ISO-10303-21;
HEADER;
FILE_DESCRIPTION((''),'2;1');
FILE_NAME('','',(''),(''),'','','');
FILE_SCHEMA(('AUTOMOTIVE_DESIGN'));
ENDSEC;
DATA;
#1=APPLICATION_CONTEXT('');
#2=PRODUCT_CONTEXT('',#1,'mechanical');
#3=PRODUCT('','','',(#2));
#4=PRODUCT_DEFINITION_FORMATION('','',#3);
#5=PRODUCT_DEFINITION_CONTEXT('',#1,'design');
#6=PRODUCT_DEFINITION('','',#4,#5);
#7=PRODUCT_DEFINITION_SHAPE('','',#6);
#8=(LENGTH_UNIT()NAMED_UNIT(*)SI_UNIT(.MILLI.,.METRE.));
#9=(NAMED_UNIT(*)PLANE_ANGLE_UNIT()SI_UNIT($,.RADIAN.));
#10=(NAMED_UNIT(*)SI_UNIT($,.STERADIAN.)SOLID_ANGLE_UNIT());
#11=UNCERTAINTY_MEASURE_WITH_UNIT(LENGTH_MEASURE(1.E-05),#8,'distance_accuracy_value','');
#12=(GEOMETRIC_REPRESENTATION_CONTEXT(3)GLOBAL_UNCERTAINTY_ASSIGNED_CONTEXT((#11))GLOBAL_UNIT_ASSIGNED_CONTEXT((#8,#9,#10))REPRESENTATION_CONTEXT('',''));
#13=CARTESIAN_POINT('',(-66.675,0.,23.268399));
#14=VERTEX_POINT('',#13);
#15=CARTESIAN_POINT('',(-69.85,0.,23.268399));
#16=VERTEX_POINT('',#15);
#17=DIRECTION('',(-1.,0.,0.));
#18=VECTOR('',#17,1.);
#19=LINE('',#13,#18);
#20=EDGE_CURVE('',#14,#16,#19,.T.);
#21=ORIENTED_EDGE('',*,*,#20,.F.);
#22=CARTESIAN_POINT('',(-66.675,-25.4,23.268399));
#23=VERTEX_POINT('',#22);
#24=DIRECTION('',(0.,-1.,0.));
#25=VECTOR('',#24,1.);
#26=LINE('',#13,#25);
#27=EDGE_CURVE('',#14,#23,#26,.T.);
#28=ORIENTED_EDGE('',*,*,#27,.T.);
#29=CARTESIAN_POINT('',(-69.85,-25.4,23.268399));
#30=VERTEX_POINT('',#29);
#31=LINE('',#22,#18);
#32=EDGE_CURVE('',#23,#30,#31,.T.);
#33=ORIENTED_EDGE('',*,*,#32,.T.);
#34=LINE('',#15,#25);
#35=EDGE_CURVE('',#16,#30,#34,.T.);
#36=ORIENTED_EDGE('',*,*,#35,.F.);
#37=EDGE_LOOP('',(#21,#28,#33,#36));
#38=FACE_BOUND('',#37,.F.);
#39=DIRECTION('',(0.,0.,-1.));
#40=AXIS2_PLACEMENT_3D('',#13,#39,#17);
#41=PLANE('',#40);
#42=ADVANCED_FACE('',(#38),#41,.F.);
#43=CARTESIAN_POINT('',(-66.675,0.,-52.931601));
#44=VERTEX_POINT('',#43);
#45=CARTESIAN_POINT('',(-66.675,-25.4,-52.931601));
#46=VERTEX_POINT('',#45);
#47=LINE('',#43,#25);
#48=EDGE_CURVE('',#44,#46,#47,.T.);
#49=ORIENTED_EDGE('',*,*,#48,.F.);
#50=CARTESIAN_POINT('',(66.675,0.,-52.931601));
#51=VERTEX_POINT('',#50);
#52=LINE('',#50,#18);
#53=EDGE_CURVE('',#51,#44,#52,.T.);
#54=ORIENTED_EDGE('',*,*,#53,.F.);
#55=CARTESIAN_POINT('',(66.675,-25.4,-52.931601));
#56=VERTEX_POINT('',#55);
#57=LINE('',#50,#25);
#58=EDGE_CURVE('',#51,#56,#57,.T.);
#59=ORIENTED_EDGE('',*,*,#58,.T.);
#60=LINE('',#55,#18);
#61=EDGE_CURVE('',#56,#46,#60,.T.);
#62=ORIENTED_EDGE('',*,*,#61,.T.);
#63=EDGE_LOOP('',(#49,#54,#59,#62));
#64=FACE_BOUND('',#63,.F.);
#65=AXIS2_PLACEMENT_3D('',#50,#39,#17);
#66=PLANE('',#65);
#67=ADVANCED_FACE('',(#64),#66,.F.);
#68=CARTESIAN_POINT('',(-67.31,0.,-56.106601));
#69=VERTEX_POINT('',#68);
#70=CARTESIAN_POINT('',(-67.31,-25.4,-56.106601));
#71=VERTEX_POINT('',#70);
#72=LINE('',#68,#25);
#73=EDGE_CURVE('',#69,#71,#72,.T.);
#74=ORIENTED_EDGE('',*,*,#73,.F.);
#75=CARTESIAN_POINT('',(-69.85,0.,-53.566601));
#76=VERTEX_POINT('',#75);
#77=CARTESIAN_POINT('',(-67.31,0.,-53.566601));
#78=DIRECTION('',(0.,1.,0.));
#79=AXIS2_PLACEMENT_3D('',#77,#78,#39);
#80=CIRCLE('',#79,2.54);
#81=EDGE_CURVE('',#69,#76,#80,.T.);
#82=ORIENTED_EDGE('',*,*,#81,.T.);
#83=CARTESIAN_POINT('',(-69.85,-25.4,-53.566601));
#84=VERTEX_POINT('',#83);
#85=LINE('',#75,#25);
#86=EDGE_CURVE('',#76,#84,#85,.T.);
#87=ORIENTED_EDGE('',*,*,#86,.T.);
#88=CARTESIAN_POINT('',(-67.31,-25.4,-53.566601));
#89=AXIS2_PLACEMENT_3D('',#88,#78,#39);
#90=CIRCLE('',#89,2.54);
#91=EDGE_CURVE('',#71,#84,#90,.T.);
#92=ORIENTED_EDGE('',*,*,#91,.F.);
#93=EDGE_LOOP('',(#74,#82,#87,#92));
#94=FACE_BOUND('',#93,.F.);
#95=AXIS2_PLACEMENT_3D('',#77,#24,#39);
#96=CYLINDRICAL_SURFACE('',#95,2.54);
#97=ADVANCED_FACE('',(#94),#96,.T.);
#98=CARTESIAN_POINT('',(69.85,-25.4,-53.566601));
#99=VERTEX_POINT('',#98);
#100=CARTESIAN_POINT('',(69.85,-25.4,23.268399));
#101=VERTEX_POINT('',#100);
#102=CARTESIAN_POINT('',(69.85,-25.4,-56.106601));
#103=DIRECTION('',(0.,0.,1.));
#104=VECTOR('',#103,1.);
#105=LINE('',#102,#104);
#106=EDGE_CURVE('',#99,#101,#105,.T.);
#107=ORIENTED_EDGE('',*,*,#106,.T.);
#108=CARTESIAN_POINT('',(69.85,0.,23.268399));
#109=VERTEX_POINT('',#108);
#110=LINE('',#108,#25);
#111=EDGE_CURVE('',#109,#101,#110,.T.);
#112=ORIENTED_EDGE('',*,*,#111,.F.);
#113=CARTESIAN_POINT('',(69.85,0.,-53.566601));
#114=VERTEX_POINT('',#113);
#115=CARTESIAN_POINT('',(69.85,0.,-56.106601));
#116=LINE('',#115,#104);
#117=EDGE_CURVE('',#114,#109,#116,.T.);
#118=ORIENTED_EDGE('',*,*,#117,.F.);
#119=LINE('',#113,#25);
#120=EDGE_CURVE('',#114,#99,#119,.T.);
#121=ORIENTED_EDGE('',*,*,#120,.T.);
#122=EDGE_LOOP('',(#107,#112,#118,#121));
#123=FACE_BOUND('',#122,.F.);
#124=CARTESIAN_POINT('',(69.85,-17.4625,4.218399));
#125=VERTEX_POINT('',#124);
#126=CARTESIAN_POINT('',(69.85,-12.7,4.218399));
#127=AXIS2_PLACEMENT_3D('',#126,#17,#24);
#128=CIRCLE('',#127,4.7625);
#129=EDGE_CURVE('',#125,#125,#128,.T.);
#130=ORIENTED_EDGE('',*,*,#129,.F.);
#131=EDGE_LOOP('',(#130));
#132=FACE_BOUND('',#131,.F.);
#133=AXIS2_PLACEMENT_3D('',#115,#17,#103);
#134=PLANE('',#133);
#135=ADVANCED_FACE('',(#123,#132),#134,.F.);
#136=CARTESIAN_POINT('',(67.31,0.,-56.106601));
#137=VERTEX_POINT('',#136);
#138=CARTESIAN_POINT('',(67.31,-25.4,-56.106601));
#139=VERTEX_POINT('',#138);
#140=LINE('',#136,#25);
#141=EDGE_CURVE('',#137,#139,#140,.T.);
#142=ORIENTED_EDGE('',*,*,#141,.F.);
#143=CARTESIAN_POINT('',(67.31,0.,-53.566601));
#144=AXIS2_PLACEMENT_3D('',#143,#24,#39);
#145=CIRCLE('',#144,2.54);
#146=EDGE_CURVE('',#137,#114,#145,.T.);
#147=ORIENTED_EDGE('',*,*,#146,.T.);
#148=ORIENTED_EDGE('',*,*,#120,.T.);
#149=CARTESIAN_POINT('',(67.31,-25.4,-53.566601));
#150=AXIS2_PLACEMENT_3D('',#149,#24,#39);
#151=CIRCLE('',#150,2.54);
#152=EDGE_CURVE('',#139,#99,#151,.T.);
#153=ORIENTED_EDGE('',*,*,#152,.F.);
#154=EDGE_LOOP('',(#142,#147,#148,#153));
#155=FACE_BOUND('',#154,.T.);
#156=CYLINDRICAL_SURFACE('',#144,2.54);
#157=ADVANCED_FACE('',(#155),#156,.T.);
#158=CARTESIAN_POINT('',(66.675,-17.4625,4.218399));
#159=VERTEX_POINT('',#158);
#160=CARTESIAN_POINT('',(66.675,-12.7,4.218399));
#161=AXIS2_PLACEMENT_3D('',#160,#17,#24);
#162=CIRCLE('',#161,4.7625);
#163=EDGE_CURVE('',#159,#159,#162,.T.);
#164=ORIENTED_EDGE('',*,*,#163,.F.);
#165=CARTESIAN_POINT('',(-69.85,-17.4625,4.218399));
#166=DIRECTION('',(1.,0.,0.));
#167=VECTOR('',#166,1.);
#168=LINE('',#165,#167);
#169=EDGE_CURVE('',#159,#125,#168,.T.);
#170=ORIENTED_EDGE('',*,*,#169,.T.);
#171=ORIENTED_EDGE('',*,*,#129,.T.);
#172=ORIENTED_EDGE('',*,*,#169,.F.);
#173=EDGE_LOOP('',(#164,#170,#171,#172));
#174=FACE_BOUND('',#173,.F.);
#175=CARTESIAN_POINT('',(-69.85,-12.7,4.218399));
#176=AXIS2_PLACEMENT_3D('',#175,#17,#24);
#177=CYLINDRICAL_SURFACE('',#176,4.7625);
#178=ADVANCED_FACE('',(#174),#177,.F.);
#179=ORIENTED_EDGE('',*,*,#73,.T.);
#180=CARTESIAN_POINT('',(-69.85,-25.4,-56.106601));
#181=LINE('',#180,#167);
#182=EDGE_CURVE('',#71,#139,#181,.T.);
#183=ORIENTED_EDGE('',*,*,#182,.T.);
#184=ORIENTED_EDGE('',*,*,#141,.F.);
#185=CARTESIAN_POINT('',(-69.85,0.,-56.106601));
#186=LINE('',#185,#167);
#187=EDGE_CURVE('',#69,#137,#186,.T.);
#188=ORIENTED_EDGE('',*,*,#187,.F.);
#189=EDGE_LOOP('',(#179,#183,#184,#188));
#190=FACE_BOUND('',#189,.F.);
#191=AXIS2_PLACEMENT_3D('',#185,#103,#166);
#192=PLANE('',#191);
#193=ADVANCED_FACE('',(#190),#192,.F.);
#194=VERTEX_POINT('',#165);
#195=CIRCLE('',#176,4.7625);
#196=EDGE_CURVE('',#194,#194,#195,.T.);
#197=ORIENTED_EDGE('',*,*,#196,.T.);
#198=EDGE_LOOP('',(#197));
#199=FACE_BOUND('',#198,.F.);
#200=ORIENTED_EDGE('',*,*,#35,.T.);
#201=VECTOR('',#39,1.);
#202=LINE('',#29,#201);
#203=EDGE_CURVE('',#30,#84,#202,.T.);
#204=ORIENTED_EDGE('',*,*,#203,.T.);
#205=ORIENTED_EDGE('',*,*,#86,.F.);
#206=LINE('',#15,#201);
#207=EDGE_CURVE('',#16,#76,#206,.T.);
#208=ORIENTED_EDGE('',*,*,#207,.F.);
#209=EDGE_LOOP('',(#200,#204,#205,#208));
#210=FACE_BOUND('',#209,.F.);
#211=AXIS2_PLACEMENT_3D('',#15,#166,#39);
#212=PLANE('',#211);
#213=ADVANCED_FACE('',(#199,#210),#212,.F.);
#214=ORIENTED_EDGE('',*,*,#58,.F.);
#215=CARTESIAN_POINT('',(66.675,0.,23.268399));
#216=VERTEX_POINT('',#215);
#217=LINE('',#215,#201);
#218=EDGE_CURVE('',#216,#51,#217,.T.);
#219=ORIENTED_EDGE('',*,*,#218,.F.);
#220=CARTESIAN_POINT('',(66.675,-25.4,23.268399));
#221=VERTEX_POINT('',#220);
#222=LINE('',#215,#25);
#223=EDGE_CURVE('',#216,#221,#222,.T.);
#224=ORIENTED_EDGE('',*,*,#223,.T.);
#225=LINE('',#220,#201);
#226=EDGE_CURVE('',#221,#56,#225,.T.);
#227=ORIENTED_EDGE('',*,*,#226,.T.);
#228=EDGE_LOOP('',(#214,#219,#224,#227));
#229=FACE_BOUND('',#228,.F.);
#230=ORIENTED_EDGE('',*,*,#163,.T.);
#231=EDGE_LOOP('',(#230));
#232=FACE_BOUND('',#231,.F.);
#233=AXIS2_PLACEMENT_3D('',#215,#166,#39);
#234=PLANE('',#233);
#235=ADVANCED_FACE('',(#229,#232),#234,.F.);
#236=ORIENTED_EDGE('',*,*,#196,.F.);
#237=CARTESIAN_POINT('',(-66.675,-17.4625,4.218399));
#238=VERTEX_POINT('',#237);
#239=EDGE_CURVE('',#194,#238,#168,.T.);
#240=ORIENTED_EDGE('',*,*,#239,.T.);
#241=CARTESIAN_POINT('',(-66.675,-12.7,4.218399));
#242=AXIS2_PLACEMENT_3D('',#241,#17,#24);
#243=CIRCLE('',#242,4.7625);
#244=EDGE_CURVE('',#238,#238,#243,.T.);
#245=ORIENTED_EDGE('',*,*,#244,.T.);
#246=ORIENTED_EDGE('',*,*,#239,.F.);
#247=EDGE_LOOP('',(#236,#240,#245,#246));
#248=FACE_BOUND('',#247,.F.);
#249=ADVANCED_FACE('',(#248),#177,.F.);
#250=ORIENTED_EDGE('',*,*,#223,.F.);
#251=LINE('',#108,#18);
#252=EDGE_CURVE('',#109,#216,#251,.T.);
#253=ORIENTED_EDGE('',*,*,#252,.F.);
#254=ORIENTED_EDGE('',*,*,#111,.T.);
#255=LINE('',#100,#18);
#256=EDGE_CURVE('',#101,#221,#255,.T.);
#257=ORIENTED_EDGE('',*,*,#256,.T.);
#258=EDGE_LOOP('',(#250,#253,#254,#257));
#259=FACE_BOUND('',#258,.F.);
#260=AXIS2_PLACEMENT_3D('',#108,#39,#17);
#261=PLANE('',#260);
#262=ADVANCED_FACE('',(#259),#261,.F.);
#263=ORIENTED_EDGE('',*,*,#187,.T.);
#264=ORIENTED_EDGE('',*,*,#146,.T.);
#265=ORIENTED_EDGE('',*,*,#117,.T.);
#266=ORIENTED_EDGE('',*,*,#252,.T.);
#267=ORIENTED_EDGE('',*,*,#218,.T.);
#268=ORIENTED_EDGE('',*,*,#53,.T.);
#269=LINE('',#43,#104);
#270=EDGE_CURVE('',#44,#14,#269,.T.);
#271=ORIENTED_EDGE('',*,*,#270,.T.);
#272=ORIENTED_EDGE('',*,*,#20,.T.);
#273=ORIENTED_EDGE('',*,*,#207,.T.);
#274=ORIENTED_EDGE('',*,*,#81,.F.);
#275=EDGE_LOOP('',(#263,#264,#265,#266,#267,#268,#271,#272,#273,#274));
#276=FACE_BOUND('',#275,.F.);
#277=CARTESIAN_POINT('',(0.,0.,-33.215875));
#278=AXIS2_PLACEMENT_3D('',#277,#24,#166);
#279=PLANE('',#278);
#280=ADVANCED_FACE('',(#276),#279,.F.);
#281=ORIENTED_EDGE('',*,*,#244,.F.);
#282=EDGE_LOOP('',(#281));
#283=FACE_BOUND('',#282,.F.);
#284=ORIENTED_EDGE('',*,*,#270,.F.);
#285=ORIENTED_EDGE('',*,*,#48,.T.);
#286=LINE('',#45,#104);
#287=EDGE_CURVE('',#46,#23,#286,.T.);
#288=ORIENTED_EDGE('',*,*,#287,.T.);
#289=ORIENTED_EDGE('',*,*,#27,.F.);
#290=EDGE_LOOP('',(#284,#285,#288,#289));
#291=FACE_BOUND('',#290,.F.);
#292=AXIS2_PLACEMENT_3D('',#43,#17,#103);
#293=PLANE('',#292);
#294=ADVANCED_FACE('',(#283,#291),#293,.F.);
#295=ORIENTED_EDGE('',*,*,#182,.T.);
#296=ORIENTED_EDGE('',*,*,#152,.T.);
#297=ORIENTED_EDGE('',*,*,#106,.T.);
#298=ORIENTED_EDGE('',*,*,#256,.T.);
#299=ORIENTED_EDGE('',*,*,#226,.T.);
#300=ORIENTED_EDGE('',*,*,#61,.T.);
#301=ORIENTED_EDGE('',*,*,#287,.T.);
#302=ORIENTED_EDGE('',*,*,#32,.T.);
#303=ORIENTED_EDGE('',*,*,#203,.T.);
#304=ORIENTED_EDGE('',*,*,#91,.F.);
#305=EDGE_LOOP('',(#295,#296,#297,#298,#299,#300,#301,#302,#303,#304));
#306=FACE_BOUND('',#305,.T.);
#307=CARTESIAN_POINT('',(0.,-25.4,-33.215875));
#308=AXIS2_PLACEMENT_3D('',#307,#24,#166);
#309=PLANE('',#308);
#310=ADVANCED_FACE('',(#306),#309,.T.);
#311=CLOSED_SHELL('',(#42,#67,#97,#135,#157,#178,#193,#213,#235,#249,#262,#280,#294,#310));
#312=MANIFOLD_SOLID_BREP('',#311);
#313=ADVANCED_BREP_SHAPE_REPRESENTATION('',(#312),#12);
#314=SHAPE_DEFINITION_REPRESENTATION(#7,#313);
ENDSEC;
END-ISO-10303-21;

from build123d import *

# Parameters (mm, degrees)
F1_DEPTH = 25.4
F2_R     = 2.54
F3_R     = 4.7625
F4_DEPTH = 152.4


with BuildPart() as f1:
    # F0 (on Front) → F1 (new body)
    with BuildSketch(Plane.XZ):
        Polygon((-69.85, -56.106601), (0, -56.106601), (69.85, -56.106601), (69.85, -52.931601), (69.85, 23.268399), (66.675, 23.268399), (66.675, -52.931601), (-66.675, -52.931601), (-66.675, 23.268399), (-69.85, 23.268399), (-69.85, -52.931601), align=None)
    extrude(amount=F1_DEPTH)

    # F2
    f2_edges = [f1.edges().sort_by_distance(p)[0] for p in [
        (-69.85, -12.7, -56.106601),
        (69.85, -12.7, -56.106601),
    ]]
    fillet(f2_edges, radius=F2_R)

    # F3 (on face) → F4 (cut)
    with BuildSketch(Plane(origin=(-69.85, 0, 0), x_dir=(0, -1, 0), z_dir=(-1, 0, 0))):
        with Locations((12.7, 4.218399)):
            Circle(F3_R)
    extrude(amount=-F4_DEPTH, mode=Mode.SUBTRACT)


solid = f1.part
